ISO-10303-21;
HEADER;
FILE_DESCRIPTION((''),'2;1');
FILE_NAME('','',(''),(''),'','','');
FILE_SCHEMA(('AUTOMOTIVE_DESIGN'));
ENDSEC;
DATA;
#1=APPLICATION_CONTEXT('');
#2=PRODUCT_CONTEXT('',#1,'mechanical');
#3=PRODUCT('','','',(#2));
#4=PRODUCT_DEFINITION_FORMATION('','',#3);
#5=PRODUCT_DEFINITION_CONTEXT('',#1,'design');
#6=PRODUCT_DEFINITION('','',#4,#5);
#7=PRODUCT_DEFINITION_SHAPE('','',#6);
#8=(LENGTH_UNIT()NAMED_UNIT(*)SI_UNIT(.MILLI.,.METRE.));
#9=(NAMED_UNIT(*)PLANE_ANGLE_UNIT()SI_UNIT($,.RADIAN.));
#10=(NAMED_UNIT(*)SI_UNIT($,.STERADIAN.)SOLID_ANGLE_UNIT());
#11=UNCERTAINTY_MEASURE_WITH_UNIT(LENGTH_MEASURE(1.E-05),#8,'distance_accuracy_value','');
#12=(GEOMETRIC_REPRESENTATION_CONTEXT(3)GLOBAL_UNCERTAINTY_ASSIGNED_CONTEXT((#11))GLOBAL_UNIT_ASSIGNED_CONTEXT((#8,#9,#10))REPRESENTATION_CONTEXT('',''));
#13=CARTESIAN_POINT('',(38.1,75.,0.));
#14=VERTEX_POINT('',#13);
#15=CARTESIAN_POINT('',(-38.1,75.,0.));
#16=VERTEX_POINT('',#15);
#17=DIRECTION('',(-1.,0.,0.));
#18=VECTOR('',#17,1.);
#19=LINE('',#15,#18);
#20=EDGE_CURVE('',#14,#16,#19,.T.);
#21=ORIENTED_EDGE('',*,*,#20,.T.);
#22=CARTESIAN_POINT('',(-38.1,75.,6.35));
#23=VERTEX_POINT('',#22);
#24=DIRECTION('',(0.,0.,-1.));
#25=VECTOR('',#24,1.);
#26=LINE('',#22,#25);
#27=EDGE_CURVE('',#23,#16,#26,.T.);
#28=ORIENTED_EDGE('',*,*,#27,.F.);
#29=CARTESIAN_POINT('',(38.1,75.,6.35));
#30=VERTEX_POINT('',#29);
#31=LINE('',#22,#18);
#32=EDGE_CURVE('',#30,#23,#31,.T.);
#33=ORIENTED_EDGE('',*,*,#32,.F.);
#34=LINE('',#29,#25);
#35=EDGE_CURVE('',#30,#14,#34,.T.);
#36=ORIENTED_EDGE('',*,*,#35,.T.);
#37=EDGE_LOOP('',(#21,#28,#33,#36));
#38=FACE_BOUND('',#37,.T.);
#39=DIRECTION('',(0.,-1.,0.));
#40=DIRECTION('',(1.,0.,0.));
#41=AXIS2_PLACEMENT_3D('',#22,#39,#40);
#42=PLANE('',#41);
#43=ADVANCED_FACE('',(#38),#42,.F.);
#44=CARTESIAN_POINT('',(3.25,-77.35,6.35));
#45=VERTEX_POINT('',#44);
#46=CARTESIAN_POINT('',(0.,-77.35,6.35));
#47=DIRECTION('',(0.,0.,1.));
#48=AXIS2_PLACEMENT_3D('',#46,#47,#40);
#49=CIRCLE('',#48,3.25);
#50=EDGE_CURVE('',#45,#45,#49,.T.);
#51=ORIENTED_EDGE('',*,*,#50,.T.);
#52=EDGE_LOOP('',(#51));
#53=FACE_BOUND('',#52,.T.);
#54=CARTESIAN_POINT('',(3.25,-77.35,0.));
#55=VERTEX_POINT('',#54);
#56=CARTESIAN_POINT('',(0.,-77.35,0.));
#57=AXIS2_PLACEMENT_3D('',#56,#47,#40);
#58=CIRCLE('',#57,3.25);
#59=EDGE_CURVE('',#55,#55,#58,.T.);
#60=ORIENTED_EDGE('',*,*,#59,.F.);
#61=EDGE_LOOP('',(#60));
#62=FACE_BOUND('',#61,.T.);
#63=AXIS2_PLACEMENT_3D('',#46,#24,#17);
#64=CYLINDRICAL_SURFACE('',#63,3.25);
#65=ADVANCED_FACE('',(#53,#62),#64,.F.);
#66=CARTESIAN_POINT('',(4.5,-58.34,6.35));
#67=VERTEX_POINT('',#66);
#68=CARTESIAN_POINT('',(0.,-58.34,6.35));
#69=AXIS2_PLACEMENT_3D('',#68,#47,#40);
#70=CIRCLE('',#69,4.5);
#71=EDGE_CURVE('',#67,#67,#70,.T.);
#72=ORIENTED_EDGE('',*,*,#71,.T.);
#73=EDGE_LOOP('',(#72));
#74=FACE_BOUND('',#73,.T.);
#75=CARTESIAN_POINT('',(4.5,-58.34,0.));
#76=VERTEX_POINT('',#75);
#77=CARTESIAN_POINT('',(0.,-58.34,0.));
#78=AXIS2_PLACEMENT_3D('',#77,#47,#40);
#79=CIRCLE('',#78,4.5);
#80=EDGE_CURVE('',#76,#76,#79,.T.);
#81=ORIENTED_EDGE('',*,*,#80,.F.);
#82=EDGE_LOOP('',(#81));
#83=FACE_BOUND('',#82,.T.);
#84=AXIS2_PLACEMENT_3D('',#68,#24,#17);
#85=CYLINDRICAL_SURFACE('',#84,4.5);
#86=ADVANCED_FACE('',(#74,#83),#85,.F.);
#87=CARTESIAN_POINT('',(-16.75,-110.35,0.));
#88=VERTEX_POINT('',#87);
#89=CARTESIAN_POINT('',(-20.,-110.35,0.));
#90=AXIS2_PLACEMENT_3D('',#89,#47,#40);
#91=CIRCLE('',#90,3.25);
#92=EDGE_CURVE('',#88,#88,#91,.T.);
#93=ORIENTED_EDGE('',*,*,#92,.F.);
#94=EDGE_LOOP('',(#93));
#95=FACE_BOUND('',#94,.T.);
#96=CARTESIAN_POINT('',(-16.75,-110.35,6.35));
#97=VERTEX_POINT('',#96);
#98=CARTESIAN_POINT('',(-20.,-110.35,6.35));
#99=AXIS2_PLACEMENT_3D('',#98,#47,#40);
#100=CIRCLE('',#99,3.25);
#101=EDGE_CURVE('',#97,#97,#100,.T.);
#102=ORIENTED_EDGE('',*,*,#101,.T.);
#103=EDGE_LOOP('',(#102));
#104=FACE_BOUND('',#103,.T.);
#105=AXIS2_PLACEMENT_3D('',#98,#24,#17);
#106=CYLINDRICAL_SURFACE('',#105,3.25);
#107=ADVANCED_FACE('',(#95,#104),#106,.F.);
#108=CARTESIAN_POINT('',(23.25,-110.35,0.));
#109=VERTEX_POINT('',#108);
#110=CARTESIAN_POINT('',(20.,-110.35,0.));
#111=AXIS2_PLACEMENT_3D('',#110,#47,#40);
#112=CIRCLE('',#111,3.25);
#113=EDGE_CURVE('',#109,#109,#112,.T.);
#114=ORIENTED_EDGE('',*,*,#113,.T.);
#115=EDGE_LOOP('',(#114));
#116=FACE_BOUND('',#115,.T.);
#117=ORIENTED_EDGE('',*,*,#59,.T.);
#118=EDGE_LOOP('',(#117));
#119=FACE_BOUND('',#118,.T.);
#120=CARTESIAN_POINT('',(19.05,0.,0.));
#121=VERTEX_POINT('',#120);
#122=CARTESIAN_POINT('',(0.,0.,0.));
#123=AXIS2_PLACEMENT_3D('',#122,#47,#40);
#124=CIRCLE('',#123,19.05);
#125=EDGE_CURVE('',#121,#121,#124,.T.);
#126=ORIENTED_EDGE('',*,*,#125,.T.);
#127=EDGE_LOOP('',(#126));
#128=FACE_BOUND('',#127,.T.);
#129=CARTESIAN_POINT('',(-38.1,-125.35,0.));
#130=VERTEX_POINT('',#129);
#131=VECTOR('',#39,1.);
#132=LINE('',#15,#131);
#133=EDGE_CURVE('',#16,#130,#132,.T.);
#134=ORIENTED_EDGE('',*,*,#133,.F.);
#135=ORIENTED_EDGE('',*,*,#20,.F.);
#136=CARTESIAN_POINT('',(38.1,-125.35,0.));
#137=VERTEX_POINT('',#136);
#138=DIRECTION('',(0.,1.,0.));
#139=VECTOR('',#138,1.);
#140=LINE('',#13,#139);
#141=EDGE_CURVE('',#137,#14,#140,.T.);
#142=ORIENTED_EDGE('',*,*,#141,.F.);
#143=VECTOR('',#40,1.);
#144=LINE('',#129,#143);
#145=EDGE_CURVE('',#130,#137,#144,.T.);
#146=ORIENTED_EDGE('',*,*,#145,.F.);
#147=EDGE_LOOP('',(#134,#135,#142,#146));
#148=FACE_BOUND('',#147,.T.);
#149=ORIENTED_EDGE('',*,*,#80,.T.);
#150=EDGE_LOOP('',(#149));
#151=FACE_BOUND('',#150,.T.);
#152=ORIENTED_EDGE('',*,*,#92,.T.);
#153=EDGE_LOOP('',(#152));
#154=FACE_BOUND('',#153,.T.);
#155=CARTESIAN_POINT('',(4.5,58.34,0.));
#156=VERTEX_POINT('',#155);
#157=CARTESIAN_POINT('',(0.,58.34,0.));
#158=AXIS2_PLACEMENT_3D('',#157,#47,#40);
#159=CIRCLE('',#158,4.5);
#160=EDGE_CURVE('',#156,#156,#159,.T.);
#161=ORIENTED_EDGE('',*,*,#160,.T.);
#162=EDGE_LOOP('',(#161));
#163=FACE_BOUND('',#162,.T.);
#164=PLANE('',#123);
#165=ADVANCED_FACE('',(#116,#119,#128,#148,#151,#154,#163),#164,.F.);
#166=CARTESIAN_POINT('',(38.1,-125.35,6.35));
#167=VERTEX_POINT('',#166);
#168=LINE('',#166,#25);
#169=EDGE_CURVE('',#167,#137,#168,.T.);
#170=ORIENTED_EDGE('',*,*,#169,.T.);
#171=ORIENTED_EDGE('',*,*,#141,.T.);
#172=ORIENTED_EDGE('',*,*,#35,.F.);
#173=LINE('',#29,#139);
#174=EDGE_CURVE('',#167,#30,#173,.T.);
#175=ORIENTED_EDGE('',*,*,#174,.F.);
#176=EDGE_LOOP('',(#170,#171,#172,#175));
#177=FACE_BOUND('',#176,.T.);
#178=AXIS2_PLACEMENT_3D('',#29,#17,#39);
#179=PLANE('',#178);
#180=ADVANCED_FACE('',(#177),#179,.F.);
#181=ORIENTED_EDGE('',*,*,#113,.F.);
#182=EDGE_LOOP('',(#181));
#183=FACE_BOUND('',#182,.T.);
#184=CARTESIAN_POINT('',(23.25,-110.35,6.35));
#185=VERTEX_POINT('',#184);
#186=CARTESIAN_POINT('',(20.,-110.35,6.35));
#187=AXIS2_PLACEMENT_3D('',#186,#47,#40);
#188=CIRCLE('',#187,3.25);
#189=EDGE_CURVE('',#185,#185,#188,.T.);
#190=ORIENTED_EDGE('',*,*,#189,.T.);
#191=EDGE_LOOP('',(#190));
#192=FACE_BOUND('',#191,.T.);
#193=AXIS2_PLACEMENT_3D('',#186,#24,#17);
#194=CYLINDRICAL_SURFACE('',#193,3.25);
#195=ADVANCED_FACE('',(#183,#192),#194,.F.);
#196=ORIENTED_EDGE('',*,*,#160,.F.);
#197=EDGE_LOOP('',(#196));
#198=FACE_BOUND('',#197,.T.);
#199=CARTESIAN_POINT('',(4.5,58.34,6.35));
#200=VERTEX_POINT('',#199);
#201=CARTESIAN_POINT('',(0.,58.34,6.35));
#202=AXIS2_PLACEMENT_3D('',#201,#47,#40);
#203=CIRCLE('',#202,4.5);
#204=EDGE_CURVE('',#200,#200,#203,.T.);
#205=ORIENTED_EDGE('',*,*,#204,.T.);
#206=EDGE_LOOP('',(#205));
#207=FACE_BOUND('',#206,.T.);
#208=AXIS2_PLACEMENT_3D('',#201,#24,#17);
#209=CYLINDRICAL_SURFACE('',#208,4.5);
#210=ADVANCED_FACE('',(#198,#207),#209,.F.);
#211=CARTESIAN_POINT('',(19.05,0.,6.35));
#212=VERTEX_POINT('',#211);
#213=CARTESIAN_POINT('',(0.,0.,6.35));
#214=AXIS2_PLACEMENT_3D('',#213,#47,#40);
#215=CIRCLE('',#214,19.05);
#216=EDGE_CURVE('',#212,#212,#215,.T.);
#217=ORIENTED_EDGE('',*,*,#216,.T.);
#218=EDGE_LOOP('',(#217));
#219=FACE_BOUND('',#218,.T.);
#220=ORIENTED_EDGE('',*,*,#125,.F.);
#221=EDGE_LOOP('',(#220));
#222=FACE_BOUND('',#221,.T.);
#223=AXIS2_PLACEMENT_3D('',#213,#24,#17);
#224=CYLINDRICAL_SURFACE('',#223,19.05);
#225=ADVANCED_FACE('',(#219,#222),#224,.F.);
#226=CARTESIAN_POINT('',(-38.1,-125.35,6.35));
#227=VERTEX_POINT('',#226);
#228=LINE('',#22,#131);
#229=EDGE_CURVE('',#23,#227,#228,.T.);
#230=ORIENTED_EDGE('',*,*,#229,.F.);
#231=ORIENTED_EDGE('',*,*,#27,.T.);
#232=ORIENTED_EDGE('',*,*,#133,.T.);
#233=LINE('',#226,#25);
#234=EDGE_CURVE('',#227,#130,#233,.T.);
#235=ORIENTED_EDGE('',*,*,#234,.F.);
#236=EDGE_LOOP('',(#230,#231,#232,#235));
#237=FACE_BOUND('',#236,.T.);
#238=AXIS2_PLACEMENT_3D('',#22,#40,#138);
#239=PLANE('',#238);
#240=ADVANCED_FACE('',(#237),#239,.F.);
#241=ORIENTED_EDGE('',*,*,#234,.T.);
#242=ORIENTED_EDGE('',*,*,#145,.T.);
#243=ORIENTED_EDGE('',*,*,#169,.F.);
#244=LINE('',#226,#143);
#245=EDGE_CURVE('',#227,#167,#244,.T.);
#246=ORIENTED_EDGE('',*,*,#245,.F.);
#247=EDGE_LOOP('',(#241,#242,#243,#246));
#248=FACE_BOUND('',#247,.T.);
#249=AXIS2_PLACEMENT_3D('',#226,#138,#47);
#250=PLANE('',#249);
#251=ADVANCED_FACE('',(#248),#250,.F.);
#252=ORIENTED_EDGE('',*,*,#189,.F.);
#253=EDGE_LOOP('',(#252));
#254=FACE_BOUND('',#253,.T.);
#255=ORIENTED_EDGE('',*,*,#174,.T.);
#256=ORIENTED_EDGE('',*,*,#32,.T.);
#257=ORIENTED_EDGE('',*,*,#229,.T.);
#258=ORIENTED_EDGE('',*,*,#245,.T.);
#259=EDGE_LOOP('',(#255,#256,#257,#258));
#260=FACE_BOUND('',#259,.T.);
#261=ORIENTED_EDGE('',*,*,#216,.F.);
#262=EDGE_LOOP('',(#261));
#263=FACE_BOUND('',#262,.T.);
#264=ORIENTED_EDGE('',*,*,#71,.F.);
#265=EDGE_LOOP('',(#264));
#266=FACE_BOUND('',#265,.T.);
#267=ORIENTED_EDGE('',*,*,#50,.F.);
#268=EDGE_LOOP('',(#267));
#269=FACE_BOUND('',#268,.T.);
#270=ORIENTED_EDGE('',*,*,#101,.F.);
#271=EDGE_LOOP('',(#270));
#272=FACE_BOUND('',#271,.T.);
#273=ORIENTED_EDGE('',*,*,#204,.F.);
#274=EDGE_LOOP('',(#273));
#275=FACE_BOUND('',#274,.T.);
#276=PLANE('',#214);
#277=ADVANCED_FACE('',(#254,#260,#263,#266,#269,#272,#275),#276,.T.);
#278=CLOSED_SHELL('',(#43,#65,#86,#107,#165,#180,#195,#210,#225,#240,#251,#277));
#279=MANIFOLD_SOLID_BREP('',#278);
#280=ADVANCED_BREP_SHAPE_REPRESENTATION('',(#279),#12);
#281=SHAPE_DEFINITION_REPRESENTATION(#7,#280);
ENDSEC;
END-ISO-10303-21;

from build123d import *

# Parameters (mm, degrees)
SKETCH1_W           = 76.2
SKETCH1_H           = 200.35
SKETCH1_R           = 19.05
SKETCH1_R_2         = 4.5
SKETCH1_R_3         = 3.25
BOSS_EXTRUDE1_DEPTH = 6.35


with BuildPart() as part:
    # Sketch1 → Boss-Extrude1 (new body)
    with BuildSketch(Plane.XY):
        with Locations((0, -25.175)):
            Rectangle(SKETCH1_W, SKETCH1_H)
        Circle(SKETCH1_R, mode=Mode.SUBTRACT)
        with Locations((0, 58.34)):
            Circle(SKETCH1_R_2, mode=Mode.SUBTRACT)
        with Locations((0, -58.34)):
            Circle(SKETCH1_R_2, mode=Mode.SUBTRACT)
        with Locations((-20, -110.35)):
            Circle(SKETCH1_R_3, mode=Mode.SUBTRACT)
        with Locations((20, -110.35)):
            Circle(SKETCH1_R_3, mode=Mode.SUBTRACT)
        with Locations((0, -77.35)):
            Circle(SKETCH1_R_3, mode=Mode.SUBTRACT)
    extrude(amount=BOSS_EXTRUDE1_DEPTH)


solid = part.part
